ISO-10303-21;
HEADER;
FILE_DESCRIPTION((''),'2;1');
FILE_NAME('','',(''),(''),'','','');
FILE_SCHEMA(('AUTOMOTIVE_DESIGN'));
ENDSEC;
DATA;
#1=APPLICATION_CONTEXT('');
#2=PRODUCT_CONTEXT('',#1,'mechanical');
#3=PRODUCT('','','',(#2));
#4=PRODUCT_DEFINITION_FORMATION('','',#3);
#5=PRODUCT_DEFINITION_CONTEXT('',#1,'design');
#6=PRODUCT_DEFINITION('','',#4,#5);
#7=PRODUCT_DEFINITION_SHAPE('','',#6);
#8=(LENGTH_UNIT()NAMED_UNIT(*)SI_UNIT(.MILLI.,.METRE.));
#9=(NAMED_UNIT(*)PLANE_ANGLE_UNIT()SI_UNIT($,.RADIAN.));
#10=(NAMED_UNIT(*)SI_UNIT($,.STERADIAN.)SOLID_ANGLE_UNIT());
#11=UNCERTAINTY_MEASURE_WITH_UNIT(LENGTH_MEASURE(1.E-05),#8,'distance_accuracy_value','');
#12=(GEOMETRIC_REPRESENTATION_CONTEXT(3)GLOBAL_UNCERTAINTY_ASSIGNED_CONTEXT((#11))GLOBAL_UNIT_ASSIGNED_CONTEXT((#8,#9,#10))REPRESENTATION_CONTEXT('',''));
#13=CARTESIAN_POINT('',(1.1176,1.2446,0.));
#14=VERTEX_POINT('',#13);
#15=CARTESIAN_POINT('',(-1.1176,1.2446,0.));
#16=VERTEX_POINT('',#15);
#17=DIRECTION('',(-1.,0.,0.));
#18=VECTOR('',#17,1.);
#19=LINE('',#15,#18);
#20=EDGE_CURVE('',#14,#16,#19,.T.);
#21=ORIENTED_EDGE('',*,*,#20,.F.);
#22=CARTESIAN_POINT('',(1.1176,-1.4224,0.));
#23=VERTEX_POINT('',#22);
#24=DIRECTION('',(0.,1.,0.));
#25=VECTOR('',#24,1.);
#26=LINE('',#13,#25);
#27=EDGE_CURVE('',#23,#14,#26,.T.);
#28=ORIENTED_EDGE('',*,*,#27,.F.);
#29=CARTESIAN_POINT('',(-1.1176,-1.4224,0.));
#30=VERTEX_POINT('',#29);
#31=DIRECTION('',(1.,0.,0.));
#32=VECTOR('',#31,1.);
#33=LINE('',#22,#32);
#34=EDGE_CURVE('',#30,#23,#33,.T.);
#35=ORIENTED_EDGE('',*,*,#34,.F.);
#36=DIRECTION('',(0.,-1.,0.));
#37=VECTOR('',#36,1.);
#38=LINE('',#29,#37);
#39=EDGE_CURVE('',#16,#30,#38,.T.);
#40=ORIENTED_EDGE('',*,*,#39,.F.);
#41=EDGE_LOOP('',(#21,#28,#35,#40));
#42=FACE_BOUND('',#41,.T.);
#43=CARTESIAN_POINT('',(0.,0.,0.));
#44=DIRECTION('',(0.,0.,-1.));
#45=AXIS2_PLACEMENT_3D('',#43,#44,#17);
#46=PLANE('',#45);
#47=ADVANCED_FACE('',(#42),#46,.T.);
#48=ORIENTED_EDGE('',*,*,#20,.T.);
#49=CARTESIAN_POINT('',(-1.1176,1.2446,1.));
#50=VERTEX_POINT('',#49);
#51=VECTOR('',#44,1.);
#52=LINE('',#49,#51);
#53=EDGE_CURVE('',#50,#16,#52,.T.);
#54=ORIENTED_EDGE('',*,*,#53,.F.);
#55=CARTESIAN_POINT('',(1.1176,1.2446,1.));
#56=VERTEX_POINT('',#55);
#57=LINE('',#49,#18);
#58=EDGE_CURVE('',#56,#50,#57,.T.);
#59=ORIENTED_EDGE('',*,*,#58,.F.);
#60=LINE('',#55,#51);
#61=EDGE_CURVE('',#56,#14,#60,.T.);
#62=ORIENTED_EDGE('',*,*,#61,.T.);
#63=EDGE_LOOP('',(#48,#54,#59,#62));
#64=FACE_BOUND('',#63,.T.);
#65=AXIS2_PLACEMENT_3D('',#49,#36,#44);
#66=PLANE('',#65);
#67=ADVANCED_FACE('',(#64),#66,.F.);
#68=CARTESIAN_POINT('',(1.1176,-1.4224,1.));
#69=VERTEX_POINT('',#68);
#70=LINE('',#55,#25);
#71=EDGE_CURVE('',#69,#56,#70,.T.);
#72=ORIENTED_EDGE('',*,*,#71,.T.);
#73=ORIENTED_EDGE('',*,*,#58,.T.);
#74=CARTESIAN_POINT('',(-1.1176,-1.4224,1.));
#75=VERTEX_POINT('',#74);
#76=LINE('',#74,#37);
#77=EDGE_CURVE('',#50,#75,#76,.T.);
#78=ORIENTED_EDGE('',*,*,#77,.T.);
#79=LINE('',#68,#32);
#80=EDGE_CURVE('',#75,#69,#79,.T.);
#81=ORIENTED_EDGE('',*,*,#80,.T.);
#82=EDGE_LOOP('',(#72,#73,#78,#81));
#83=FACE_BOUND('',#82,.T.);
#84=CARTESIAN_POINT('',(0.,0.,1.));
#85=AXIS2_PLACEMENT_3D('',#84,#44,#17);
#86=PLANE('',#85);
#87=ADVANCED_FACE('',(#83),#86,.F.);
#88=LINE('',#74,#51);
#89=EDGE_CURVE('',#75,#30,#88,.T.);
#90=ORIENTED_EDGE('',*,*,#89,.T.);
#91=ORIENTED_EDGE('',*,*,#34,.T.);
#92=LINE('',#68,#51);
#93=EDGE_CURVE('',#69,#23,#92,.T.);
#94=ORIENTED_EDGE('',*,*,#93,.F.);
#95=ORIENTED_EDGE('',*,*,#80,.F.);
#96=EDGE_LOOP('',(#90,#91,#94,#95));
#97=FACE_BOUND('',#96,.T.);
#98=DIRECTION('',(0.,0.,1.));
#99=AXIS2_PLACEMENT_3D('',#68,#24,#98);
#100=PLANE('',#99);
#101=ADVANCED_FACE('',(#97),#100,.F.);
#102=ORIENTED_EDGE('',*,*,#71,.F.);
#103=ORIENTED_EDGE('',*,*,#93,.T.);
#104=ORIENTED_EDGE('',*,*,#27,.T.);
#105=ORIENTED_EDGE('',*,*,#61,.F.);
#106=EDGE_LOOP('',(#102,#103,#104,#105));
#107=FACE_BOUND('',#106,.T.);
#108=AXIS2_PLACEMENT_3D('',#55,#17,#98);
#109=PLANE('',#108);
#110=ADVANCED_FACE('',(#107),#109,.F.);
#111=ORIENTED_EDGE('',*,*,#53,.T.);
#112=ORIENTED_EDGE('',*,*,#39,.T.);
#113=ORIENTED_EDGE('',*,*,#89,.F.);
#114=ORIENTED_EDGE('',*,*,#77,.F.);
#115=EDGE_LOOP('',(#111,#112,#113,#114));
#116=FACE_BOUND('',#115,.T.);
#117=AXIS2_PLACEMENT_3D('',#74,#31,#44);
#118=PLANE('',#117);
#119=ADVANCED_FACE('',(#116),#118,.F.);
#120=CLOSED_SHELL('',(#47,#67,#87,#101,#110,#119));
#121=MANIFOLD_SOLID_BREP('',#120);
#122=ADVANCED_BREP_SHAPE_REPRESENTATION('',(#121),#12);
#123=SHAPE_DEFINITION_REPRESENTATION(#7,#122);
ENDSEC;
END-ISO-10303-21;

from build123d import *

# Parameters (mm, degrees)
SKETCH1_W               = 2.2352
SKETCH1_H               = 2.667
COMPONENT_OUTLINE_DEPTH = 1


with BuildPart() as part:
    # Sketch1 → Component_Outline (new body)
    with BuildSketch(Plane.XY):
        with Locations((0, -0.0889)):
            Rectangle(SKETCH1_W, SKETCH1_H)
    extrude(amount=COMPONENT_OUTLINE_DEPTH)


solid = part.part
